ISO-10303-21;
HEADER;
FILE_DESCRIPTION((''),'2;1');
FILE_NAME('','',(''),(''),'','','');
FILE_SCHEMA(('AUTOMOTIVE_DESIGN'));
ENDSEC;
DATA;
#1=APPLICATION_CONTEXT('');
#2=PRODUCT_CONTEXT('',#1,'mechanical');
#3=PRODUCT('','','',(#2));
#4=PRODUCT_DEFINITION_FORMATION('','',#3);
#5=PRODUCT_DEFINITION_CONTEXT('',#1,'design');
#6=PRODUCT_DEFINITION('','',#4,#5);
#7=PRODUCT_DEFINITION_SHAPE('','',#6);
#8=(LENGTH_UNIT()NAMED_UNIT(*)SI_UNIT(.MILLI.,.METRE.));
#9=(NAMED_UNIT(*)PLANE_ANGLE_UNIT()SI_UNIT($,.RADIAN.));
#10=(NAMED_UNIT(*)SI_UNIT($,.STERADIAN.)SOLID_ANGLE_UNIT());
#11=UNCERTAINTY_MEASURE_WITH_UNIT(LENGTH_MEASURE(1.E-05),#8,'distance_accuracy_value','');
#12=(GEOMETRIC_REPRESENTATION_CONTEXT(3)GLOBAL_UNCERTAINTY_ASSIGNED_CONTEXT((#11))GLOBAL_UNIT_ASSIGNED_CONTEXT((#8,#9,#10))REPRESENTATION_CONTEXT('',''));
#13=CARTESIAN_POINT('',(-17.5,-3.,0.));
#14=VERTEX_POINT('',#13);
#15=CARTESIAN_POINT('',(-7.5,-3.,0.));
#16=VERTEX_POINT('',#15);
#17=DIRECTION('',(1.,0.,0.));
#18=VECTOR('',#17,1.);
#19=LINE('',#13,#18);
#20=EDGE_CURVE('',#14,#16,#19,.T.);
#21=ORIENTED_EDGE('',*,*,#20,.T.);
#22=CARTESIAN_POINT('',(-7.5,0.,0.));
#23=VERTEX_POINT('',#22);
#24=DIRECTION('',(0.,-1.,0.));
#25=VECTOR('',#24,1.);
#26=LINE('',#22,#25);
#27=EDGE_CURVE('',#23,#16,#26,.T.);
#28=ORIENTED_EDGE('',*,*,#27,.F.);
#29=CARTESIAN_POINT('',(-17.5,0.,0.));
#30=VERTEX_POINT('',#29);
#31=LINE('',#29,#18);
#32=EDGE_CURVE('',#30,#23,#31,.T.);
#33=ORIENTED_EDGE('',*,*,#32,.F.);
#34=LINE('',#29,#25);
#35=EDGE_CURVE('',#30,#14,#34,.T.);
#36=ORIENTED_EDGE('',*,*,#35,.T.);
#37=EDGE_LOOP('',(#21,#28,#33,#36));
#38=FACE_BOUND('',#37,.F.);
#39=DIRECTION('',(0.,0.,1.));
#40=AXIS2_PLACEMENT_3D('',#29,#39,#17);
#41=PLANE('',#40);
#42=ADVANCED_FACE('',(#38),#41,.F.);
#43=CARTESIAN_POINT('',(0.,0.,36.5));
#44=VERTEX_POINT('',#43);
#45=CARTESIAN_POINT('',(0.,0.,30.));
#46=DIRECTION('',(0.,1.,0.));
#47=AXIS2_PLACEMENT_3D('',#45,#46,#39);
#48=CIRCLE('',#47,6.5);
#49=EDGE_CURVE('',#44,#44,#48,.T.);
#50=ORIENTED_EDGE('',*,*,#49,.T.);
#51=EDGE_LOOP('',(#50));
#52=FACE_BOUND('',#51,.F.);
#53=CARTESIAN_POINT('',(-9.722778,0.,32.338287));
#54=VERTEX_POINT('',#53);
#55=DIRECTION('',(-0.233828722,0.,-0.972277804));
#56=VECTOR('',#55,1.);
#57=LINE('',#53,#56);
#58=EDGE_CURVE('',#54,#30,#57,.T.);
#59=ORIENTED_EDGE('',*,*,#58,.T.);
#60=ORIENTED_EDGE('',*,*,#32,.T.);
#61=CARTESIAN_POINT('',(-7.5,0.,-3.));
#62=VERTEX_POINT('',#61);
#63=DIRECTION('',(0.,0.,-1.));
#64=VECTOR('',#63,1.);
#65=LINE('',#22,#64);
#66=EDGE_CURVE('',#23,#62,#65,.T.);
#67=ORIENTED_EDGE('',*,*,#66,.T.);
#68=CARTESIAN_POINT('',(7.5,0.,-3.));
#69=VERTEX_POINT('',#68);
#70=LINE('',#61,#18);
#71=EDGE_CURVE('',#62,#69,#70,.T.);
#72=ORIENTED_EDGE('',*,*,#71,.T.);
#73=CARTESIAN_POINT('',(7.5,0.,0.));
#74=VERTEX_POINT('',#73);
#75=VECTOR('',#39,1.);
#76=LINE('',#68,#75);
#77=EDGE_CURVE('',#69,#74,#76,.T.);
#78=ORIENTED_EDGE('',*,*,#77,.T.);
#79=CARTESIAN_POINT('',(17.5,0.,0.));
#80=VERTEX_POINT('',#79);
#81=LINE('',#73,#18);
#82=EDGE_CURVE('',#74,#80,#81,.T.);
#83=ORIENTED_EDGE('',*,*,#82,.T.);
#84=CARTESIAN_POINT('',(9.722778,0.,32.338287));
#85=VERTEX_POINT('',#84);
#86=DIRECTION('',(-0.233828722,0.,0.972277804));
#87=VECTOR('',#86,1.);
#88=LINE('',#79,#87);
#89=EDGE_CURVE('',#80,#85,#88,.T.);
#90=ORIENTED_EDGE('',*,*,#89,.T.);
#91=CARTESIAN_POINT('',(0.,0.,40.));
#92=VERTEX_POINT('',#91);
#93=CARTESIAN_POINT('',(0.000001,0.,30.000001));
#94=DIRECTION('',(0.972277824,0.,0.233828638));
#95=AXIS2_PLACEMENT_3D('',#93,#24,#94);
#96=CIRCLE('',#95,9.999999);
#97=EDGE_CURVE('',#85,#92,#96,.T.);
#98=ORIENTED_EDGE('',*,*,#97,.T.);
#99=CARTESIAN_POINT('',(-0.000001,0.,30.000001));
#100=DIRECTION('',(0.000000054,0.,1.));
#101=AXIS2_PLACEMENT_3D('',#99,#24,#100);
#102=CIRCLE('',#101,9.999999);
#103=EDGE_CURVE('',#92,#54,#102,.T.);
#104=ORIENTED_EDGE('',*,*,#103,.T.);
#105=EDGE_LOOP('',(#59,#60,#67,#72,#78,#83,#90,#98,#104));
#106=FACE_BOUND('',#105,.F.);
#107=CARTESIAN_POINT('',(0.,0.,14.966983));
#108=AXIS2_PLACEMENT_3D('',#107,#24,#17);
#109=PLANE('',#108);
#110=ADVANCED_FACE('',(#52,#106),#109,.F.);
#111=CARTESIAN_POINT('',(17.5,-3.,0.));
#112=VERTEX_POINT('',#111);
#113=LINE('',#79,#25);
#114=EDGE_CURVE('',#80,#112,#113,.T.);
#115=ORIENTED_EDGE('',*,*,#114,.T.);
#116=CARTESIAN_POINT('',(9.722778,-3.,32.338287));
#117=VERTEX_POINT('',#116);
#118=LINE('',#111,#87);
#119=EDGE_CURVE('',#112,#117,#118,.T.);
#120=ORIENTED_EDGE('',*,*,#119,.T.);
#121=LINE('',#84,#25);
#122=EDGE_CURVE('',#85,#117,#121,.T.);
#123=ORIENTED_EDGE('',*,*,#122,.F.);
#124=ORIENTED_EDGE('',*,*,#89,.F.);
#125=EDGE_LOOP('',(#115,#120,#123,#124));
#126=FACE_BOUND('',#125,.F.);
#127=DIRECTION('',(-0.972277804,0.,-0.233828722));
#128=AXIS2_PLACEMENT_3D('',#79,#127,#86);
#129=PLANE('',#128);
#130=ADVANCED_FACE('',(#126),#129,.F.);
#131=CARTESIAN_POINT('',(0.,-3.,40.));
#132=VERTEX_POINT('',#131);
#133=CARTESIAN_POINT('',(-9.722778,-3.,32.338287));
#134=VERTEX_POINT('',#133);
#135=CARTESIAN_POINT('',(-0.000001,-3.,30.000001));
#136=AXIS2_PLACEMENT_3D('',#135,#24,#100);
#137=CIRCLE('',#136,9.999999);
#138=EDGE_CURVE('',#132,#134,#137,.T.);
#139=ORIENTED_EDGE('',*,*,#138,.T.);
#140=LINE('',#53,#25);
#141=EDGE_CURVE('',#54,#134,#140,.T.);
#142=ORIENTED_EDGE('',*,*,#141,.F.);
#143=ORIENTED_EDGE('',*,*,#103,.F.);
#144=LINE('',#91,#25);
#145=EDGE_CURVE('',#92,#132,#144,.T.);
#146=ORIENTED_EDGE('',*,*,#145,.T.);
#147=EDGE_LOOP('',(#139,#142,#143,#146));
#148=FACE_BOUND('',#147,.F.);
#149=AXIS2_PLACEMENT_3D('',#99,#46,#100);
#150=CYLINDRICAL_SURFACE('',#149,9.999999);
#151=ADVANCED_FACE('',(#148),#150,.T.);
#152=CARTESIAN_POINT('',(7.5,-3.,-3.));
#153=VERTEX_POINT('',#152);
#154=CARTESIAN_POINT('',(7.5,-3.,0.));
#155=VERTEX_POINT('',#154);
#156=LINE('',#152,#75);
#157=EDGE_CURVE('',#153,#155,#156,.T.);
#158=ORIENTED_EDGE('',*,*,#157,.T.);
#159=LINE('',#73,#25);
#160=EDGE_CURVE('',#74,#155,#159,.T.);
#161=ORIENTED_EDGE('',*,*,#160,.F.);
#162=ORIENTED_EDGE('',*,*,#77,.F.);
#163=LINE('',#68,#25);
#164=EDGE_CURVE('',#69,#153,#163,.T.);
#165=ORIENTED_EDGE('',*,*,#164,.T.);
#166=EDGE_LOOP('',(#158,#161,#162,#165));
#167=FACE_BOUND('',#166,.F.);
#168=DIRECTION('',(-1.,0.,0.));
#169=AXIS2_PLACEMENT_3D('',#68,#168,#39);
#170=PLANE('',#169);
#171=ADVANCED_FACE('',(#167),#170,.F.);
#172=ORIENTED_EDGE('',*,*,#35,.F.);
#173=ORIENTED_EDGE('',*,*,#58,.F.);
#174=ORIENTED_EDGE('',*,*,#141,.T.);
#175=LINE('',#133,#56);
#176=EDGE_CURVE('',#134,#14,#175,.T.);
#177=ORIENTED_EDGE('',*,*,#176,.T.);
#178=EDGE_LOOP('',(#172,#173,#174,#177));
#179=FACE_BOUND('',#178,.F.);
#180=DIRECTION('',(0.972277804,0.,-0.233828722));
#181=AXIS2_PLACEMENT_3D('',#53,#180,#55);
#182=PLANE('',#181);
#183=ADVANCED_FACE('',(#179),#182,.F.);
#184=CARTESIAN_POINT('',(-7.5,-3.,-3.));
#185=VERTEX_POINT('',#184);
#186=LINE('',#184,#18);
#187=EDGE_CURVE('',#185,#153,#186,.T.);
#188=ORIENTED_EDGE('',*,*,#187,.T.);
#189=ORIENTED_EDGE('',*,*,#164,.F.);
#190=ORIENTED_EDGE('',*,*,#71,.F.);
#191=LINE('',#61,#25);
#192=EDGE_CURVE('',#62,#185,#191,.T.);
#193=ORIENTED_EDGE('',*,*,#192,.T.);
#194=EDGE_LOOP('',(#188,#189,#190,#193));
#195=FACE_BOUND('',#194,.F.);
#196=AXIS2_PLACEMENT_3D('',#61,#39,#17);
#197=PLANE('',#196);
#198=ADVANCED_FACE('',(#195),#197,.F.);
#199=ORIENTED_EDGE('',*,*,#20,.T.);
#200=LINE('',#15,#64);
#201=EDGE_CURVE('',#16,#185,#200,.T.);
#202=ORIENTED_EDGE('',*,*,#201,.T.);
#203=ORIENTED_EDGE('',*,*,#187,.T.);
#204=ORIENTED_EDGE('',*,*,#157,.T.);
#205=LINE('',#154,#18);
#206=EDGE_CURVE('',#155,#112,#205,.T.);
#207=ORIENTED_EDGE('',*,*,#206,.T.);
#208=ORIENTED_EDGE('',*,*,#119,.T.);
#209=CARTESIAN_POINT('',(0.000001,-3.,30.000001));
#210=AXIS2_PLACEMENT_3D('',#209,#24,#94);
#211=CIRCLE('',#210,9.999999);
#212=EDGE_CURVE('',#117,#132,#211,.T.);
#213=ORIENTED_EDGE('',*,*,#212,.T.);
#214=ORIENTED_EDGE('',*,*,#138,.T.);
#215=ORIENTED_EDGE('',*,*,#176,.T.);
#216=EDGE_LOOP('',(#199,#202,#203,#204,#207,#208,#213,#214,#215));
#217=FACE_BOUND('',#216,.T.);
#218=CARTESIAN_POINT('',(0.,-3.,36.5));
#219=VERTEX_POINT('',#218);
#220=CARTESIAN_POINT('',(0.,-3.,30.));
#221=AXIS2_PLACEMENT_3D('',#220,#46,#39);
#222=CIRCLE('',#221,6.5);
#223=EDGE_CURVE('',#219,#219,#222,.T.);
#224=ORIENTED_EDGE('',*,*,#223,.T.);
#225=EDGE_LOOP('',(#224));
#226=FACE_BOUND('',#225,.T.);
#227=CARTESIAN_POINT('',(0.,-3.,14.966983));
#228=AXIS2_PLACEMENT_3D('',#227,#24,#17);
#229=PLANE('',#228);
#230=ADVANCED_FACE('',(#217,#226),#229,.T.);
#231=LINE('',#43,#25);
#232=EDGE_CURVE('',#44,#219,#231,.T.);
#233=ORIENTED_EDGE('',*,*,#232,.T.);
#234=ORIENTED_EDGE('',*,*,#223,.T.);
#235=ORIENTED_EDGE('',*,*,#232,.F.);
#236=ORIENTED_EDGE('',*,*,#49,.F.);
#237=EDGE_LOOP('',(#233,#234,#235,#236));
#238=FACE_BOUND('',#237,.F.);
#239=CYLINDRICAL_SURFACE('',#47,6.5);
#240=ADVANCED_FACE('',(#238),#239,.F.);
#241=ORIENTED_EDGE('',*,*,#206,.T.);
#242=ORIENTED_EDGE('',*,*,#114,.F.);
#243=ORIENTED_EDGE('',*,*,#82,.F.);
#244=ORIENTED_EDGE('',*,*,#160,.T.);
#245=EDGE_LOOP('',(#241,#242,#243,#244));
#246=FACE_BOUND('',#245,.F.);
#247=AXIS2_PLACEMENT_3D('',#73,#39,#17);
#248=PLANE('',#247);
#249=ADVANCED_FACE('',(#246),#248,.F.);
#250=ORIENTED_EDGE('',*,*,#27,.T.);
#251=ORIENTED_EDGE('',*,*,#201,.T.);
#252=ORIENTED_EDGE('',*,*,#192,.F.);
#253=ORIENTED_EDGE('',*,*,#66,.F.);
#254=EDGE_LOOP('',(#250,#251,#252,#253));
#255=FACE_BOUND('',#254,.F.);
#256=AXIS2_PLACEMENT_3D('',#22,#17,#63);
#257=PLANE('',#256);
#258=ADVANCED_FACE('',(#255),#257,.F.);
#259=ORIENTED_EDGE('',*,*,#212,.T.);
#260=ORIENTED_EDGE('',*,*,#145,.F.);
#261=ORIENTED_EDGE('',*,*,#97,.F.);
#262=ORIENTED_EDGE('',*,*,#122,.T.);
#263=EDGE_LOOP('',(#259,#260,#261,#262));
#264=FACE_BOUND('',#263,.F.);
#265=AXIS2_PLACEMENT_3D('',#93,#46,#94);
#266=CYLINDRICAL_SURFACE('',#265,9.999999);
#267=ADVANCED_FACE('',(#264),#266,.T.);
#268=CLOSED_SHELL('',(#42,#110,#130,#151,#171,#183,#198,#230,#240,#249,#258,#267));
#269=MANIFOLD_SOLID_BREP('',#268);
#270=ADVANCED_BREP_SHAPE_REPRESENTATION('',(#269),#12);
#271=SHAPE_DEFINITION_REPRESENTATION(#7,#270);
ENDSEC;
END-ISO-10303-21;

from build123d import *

# Parameters (mm, degrees)
F1_DEPTH = 3


with BuildPart() as f1:
    # F0 (on Front) → F1 (new body)
    with BuildSketch(Plane.XZ):
        with BuildLine():
            ThreePointArc((0, 40), (-6.189391, 37.85439), (-9.722778, 32.338287))
            Line((-9.722778, 32.338287), (-17.5, 0))
            Line((-17.5, 0), (-7.5, 0))
            Line((-7.5, 0), (-7.5, -3))
            Line((-7.5, -3), (0, -3))
            Line((0, -3), (7.5, -3))
            Line((7.5, -3), (7.5, 0))
            Line((7.5, 0), (17.5, 0))
            Line((17.5, 0), (9.722778, 32.338287))
            ThreePointArc((9.722778, 32.338287), (6.189391, 37.85439), (0, 40))
        make_face()
        with BuildLine():
            ThreePointArc((0, 23.5), (-6.5, 30), (0, 36.5))
            ThreePointArc((0, 36.5), (6.5, 30), (0, 23.5))
        make_face(mode=Mode.SUBTRACT)
    extrude(amount=F1_DEPTH)


solid = f1.part
